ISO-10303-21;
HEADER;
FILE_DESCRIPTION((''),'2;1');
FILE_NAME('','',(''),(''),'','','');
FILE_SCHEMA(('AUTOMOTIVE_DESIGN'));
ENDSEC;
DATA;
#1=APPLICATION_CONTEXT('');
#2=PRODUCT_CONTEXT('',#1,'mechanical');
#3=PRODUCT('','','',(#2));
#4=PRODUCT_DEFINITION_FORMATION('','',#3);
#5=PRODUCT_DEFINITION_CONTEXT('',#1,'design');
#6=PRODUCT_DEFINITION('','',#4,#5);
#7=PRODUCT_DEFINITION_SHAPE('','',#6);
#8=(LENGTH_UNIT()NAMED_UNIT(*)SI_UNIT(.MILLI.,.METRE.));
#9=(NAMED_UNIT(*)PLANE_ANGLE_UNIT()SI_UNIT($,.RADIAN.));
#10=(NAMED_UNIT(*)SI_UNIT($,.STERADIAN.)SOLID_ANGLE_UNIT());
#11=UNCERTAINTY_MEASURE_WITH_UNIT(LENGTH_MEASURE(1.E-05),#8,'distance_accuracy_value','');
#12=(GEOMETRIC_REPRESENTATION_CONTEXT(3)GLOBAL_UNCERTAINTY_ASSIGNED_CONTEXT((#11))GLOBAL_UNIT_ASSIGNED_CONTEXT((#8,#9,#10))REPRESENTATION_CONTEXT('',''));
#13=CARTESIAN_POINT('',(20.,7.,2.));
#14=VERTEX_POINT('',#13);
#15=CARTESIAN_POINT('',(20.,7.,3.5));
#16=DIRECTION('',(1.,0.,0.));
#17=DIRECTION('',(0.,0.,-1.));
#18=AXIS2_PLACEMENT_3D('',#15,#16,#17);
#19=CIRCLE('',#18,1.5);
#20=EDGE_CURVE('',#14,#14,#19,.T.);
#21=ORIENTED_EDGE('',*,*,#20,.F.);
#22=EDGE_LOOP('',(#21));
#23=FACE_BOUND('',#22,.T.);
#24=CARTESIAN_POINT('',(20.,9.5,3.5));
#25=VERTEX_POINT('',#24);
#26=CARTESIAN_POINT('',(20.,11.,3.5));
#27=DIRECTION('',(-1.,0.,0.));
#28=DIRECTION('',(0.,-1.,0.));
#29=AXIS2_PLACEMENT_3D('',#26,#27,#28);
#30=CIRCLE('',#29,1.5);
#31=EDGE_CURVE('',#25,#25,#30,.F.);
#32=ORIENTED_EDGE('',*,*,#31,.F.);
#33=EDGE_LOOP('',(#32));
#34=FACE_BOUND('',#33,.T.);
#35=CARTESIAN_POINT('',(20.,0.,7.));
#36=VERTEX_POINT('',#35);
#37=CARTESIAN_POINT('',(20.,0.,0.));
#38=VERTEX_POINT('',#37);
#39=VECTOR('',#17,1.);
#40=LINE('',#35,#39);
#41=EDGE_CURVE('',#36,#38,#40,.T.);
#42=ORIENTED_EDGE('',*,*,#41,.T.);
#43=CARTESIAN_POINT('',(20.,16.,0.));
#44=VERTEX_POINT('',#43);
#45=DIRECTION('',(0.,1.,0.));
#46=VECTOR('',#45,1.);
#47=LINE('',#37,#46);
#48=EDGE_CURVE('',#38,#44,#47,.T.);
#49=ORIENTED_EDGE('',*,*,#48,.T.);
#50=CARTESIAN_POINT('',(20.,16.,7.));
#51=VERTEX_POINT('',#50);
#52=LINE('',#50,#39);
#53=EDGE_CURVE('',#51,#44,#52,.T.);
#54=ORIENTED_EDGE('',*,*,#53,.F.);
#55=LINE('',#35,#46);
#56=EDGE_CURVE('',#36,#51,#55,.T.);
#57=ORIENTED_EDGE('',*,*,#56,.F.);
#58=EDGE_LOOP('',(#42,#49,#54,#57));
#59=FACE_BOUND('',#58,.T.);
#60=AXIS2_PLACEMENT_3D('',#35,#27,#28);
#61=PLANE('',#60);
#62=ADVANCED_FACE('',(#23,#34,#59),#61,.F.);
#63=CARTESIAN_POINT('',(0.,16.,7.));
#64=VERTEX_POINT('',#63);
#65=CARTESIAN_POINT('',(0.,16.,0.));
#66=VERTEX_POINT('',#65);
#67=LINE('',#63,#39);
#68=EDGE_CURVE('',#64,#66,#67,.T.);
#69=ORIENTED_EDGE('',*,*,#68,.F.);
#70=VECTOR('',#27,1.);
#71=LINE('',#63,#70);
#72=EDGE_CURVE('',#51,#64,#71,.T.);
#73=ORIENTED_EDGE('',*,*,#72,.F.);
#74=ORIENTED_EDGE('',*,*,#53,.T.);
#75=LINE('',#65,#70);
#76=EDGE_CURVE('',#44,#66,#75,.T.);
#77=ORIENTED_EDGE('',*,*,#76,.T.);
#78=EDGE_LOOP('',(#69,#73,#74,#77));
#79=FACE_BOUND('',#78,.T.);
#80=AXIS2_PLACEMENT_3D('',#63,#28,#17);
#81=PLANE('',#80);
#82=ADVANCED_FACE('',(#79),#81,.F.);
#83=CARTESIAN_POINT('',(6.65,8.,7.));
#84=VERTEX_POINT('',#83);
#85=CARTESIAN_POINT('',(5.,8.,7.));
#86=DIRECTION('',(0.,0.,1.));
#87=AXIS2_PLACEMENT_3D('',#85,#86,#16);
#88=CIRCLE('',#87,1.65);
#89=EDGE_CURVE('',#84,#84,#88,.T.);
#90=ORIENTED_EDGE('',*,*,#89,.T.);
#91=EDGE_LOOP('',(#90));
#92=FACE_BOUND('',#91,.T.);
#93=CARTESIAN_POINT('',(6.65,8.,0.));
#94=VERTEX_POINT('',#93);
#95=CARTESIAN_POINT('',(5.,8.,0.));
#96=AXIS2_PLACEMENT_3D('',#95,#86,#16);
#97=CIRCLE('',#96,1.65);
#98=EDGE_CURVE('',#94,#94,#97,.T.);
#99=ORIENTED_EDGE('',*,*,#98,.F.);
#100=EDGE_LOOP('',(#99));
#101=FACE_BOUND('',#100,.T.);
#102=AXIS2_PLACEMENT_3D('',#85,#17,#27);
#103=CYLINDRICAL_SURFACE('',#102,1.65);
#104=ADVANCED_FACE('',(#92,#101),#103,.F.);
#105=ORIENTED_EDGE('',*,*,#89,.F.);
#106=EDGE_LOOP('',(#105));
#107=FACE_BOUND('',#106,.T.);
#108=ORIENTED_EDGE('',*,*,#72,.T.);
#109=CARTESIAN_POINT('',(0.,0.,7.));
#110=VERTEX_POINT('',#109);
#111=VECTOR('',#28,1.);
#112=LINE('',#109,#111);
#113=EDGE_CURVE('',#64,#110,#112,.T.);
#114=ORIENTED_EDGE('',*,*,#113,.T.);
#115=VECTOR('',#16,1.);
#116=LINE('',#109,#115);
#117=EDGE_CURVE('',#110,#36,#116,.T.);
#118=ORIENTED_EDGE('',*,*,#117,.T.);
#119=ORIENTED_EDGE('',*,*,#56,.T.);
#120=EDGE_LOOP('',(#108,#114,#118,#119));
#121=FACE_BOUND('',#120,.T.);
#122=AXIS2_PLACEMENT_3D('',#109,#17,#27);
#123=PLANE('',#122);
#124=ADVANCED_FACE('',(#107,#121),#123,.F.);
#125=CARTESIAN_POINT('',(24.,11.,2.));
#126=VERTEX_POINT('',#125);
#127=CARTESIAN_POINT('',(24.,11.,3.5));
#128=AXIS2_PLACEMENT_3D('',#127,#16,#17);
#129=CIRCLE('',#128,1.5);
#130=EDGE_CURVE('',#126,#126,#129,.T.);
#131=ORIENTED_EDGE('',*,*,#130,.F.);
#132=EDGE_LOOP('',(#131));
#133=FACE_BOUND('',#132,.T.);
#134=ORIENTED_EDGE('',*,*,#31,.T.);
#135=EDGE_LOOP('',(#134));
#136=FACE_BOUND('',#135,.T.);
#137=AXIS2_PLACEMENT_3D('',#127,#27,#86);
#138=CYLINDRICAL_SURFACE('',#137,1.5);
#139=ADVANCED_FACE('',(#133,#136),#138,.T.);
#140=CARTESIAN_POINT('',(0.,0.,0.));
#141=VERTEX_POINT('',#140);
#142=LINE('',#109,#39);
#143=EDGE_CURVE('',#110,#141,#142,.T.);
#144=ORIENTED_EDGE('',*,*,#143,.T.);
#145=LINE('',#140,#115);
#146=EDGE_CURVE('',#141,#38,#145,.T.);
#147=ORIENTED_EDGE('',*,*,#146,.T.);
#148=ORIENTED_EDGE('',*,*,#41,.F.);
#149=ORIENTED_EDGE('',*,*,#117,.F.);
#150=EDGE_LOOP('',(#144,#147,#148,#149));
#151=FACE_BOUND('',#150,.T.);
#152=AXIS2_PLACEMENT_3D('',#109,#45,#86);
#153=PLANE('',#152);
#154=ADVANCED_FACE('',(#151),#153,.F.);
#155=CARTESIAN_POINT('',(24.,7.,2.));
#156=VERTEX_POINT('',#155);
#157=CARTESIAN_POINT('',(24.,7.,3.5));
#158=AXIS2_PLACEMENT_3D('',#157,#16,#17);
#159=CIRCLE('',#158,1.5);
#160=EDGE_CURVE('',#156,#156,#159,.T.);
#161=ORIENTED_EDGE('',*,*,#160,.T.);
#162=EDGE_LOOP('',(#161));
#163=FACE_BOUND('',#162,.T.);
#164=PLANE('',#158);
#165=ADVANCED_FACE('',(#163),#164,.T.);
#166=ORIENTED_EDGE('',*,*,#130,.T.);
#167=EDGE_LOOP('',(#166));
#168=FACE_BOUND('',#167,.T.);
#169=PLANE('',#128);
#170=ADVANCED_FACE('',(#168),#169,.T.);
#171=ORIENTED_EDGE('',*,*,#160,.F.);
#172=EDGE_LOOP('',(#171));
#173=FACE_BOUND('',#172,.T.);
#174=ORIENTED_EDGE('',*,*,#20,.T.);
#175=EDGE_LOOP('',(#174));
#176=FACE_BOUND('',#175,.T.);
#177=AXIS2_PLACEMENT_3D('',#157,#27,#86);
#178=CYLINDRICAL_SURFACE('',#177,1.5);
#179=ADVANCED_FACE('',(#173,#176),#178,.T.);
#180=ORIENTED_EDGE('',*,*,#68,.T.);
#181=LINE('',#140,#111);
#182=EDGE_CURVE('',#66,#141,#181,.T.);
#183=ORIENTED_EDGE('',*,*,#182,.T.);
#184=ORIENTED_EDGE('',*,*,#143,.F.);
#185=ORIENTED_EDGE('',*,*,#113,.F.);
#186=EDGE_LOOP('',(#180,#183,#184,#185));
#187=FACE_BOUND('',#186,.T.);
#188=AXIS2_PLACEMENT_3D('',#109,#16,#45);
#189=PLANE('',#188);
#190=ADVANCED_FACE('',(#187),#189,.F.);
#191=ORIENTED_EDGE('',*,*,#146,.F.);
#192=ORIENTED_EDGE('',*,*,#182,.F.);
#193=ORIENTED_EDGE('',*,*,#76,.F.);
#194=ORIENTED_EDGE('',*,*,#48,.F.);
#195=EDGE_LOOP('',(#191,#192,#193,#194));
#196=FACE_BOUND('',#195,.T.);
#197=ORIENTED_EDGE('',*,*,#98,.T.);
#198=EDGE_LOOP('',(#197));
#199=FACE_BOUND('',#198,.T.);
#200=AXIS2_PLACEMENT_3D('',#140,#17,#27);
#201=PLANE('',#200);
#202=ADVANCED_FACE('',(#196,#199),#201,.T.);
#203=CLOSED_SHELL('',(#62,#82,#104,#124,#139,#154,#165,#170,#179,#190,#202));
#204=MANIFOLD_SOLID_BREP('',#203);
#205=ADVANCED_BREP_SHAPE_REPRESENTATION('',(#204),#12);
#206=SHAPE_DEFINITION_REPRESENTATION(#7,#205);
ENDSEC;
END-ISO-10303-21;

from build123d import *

# Parameters (mm, degrees)
SKETCH1_W           = 20
SKETCH1_H           = 16
SKETCH1_R           = 1.65
BOSS_EXTRUDE1_DEPTH = 7
SKETCH2_R           = 1.5
BOSS_EXTRUDE2_DEPTH = 4


with BuildPart() as part:
    # Sketch1 → Boss-Extrude1 (new body)
    with BuildSketch(Plane.XY):
        with Locations((10, 8)):
            Rectangle(SKETCH1_W, SKETCH1_H)
        with Locations((5, 8)):
            Circle(SKETCH1_R, mode=Mode.SUBTRACT)
    extrude(amount=BOSS_EXTRUDE1_DEPTH)

    # Sketch2 → Boss-Extrude2 (add)
    with BuildSketch(Plane(origin=(20, 0, 0), x_dir=(0, 0, -1), z_dir=(1, 0, 0))):
        with Locations((-3.5, 7)):
            Circle(SKETCH2_R)
        with Locations((-3.5, 11)):
            Circle(SKETCH2_R)
    extrude(amount=BOSS_EXTRUDE2_DEPTH)


solid = part.part
